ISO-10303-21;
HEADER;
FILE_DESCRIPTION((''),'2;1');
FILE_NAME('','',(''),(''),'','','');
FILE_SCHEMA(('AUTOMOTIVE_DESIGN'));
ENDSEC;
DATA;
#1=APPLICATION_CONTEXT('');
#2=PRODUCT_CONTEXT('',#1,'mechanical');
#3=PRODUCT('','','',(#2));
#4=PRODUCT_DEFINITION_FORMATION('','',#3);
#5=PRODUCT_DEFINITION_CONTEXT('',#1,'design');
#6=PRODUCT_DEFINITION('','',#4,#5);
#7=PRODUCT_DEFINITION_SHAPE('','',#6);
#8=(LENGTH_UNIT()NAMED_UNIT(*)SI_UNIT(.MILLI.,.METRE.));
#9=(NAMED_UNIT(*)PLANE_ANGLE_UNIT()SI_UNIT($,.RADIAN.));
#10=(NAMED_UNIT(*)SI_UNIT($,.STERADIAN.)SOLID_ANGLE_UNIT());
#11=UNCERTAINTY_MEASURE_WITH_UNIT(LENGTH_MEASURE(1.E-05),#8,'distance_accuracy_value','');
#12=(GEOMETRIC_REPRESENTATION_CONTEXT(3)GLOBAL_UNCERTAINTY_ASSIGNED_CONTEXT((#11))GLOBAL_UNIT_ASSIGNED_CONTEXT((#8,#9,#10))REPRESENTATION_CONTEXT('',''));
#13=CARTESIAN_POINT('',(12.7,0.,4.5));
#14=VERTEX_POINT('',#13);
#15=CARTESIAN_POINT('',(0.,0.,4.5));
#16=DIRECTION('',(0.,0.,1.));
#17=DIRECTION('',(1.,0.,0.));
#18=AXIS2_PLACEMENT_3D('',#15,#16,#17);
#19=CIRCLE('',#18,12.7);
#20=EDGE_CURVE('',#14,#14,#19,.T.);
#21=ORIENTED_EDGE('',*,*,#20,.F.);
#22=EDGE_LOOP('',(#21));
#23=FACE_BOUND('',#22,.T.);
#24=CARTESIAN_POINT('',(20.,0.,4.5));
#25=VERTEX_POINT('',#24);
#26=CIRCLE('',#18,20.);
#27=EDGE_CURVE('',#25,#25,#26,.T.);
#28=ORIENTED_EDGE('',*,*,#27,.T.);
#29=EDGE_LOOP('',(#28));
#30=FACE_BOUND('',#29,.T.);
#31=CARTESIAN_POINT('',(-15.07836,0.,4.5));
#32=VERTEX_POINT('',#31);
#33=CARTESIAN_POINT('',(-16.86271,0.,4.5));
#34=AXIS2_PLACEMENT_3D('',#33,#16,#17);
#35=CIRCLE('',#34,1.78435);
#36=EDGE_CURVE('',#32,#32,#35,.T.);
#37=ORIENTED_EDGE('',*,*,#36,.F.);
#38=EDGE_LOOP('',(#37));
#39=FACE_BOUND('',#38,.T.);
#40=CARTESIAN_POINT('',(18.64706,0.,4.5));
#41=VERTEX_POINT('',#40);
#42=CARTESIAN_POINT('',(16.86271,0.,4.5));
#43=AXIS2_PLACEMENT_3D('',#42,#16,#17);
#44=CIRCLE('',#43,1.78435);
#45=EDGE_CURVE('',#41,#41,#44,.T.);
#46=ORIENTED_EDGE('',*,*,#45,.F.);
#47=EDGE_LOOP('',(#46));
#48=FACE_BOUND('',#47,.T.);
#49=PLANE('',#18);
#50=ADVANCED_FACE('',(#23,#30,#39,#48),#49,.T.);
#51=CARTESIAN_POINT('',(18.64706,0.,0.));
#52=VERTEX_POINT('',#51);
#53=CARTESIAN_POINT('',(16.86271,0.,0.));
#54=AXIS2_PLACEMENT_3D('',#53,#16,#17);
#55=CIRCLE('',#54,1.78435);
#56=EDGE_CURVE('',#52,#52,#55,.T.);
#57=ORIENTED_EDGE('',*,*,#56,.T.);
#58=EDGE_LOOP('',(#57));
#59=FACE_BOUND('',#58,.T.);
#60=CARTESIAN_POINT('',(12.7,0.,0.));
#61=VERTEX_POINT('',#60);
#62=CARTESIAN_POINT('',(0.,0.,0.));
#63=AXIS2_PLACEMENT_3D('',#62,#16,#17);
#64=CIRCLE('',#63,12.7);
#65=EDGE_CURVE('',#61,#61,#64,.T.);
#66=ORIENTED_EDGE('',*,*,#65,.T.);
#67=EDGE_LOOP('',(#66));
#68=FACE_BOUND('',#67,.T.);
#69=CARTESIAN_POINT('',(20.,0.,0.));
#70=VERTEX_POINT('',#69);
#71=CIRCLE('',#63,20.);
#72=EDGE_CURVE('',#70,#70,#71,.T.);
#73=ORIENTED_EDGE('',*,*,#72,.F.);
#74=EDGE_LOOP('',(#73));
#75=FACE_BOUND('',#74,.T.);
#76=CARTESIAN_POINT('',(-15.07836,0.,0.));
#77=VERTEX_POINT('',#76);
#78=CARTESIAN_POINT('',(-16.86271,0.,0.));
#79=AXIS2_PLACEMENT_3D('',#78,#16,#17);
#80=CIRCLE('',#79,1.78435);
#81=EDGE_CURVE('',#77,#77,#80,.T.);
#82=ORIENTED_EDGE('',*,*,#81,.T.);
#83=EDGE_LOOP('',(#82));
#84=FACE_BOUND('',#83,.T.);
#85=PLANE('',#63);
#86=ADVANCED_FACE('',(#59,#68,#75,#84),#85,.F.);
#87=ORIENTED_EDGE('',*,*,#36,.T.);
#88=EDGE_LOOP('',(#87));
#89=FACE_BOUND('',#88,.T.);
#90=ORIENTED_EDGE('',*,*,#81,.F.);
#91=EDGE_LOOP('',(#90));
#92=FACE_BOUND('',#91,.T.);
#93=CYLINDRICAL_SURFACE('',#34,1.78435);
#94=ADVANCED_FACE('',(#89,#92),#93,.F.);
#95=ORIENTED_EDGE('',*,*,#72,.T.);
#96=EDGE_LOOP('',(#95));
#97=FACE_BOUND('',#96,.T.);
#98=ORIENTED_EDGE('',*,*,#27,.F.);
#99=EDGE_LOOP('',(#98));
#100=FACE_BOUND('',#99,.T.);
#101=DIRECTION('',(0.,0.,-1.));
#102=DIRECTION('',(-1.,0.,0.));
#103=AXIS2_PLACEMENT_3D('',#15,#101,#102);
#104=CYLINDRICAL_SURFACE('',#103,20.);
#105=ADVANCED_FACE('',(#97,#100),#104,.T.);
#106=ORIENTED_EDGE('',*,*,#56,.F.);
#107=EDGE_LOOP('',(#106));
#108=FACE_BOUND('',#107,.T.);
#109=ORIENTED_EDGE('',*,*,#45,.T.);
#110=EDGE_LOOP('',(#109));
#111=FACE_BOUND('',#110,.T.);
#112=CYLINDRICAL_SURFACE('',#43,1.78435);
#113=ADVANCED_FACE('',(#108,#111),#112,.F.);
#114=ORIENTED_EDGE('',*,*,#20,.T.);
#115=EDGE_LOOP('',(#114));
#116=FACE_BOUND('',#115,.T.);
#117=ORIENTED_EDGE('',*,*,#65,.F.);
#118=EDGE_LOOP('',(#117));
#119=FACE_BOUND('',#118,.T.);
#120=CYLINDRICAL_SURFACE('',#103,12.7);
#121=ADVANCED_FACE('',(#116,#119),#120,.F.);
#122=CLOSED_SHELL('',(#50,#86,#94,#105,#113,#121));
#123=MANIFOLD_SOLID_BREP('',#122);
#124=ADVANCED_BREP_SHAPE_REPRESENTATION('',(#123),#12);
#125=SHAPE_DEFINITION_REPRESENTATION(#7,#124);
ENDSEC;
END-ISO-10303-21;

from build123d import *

# Parameters (mm, degrees)
SKETCH1_R                    = 20
SKETCH1_R_2                  = 12.7
BOSS_EXTRUDE1_DEPTH          = 4.5
F_28_0_1405_DIAMETER_HOLE1_D = 3.5687


with BuildPart() as part:
    # Sketch1 → Boss-Extrude1 (new body)
    with BuildSketch(Plane.XY):
        Circle(SKETCH1_R)
        Circle(SKETCH1_R_2, mode=Mode.SUBTRACT)
    extrude(amount=BOSS_EXTRUDE1_DEPTH)

    # #28 (0.1405) Diameter Hole1 (through all)
    with Locations(Plane.XY.offset(4.5)):
        with Locations((-16.862709614, 0), (16.862709614, 0)):
            Hole(F_28_0_1405_DIAMETER_HOLE1_D / 2)


solid = part.part
